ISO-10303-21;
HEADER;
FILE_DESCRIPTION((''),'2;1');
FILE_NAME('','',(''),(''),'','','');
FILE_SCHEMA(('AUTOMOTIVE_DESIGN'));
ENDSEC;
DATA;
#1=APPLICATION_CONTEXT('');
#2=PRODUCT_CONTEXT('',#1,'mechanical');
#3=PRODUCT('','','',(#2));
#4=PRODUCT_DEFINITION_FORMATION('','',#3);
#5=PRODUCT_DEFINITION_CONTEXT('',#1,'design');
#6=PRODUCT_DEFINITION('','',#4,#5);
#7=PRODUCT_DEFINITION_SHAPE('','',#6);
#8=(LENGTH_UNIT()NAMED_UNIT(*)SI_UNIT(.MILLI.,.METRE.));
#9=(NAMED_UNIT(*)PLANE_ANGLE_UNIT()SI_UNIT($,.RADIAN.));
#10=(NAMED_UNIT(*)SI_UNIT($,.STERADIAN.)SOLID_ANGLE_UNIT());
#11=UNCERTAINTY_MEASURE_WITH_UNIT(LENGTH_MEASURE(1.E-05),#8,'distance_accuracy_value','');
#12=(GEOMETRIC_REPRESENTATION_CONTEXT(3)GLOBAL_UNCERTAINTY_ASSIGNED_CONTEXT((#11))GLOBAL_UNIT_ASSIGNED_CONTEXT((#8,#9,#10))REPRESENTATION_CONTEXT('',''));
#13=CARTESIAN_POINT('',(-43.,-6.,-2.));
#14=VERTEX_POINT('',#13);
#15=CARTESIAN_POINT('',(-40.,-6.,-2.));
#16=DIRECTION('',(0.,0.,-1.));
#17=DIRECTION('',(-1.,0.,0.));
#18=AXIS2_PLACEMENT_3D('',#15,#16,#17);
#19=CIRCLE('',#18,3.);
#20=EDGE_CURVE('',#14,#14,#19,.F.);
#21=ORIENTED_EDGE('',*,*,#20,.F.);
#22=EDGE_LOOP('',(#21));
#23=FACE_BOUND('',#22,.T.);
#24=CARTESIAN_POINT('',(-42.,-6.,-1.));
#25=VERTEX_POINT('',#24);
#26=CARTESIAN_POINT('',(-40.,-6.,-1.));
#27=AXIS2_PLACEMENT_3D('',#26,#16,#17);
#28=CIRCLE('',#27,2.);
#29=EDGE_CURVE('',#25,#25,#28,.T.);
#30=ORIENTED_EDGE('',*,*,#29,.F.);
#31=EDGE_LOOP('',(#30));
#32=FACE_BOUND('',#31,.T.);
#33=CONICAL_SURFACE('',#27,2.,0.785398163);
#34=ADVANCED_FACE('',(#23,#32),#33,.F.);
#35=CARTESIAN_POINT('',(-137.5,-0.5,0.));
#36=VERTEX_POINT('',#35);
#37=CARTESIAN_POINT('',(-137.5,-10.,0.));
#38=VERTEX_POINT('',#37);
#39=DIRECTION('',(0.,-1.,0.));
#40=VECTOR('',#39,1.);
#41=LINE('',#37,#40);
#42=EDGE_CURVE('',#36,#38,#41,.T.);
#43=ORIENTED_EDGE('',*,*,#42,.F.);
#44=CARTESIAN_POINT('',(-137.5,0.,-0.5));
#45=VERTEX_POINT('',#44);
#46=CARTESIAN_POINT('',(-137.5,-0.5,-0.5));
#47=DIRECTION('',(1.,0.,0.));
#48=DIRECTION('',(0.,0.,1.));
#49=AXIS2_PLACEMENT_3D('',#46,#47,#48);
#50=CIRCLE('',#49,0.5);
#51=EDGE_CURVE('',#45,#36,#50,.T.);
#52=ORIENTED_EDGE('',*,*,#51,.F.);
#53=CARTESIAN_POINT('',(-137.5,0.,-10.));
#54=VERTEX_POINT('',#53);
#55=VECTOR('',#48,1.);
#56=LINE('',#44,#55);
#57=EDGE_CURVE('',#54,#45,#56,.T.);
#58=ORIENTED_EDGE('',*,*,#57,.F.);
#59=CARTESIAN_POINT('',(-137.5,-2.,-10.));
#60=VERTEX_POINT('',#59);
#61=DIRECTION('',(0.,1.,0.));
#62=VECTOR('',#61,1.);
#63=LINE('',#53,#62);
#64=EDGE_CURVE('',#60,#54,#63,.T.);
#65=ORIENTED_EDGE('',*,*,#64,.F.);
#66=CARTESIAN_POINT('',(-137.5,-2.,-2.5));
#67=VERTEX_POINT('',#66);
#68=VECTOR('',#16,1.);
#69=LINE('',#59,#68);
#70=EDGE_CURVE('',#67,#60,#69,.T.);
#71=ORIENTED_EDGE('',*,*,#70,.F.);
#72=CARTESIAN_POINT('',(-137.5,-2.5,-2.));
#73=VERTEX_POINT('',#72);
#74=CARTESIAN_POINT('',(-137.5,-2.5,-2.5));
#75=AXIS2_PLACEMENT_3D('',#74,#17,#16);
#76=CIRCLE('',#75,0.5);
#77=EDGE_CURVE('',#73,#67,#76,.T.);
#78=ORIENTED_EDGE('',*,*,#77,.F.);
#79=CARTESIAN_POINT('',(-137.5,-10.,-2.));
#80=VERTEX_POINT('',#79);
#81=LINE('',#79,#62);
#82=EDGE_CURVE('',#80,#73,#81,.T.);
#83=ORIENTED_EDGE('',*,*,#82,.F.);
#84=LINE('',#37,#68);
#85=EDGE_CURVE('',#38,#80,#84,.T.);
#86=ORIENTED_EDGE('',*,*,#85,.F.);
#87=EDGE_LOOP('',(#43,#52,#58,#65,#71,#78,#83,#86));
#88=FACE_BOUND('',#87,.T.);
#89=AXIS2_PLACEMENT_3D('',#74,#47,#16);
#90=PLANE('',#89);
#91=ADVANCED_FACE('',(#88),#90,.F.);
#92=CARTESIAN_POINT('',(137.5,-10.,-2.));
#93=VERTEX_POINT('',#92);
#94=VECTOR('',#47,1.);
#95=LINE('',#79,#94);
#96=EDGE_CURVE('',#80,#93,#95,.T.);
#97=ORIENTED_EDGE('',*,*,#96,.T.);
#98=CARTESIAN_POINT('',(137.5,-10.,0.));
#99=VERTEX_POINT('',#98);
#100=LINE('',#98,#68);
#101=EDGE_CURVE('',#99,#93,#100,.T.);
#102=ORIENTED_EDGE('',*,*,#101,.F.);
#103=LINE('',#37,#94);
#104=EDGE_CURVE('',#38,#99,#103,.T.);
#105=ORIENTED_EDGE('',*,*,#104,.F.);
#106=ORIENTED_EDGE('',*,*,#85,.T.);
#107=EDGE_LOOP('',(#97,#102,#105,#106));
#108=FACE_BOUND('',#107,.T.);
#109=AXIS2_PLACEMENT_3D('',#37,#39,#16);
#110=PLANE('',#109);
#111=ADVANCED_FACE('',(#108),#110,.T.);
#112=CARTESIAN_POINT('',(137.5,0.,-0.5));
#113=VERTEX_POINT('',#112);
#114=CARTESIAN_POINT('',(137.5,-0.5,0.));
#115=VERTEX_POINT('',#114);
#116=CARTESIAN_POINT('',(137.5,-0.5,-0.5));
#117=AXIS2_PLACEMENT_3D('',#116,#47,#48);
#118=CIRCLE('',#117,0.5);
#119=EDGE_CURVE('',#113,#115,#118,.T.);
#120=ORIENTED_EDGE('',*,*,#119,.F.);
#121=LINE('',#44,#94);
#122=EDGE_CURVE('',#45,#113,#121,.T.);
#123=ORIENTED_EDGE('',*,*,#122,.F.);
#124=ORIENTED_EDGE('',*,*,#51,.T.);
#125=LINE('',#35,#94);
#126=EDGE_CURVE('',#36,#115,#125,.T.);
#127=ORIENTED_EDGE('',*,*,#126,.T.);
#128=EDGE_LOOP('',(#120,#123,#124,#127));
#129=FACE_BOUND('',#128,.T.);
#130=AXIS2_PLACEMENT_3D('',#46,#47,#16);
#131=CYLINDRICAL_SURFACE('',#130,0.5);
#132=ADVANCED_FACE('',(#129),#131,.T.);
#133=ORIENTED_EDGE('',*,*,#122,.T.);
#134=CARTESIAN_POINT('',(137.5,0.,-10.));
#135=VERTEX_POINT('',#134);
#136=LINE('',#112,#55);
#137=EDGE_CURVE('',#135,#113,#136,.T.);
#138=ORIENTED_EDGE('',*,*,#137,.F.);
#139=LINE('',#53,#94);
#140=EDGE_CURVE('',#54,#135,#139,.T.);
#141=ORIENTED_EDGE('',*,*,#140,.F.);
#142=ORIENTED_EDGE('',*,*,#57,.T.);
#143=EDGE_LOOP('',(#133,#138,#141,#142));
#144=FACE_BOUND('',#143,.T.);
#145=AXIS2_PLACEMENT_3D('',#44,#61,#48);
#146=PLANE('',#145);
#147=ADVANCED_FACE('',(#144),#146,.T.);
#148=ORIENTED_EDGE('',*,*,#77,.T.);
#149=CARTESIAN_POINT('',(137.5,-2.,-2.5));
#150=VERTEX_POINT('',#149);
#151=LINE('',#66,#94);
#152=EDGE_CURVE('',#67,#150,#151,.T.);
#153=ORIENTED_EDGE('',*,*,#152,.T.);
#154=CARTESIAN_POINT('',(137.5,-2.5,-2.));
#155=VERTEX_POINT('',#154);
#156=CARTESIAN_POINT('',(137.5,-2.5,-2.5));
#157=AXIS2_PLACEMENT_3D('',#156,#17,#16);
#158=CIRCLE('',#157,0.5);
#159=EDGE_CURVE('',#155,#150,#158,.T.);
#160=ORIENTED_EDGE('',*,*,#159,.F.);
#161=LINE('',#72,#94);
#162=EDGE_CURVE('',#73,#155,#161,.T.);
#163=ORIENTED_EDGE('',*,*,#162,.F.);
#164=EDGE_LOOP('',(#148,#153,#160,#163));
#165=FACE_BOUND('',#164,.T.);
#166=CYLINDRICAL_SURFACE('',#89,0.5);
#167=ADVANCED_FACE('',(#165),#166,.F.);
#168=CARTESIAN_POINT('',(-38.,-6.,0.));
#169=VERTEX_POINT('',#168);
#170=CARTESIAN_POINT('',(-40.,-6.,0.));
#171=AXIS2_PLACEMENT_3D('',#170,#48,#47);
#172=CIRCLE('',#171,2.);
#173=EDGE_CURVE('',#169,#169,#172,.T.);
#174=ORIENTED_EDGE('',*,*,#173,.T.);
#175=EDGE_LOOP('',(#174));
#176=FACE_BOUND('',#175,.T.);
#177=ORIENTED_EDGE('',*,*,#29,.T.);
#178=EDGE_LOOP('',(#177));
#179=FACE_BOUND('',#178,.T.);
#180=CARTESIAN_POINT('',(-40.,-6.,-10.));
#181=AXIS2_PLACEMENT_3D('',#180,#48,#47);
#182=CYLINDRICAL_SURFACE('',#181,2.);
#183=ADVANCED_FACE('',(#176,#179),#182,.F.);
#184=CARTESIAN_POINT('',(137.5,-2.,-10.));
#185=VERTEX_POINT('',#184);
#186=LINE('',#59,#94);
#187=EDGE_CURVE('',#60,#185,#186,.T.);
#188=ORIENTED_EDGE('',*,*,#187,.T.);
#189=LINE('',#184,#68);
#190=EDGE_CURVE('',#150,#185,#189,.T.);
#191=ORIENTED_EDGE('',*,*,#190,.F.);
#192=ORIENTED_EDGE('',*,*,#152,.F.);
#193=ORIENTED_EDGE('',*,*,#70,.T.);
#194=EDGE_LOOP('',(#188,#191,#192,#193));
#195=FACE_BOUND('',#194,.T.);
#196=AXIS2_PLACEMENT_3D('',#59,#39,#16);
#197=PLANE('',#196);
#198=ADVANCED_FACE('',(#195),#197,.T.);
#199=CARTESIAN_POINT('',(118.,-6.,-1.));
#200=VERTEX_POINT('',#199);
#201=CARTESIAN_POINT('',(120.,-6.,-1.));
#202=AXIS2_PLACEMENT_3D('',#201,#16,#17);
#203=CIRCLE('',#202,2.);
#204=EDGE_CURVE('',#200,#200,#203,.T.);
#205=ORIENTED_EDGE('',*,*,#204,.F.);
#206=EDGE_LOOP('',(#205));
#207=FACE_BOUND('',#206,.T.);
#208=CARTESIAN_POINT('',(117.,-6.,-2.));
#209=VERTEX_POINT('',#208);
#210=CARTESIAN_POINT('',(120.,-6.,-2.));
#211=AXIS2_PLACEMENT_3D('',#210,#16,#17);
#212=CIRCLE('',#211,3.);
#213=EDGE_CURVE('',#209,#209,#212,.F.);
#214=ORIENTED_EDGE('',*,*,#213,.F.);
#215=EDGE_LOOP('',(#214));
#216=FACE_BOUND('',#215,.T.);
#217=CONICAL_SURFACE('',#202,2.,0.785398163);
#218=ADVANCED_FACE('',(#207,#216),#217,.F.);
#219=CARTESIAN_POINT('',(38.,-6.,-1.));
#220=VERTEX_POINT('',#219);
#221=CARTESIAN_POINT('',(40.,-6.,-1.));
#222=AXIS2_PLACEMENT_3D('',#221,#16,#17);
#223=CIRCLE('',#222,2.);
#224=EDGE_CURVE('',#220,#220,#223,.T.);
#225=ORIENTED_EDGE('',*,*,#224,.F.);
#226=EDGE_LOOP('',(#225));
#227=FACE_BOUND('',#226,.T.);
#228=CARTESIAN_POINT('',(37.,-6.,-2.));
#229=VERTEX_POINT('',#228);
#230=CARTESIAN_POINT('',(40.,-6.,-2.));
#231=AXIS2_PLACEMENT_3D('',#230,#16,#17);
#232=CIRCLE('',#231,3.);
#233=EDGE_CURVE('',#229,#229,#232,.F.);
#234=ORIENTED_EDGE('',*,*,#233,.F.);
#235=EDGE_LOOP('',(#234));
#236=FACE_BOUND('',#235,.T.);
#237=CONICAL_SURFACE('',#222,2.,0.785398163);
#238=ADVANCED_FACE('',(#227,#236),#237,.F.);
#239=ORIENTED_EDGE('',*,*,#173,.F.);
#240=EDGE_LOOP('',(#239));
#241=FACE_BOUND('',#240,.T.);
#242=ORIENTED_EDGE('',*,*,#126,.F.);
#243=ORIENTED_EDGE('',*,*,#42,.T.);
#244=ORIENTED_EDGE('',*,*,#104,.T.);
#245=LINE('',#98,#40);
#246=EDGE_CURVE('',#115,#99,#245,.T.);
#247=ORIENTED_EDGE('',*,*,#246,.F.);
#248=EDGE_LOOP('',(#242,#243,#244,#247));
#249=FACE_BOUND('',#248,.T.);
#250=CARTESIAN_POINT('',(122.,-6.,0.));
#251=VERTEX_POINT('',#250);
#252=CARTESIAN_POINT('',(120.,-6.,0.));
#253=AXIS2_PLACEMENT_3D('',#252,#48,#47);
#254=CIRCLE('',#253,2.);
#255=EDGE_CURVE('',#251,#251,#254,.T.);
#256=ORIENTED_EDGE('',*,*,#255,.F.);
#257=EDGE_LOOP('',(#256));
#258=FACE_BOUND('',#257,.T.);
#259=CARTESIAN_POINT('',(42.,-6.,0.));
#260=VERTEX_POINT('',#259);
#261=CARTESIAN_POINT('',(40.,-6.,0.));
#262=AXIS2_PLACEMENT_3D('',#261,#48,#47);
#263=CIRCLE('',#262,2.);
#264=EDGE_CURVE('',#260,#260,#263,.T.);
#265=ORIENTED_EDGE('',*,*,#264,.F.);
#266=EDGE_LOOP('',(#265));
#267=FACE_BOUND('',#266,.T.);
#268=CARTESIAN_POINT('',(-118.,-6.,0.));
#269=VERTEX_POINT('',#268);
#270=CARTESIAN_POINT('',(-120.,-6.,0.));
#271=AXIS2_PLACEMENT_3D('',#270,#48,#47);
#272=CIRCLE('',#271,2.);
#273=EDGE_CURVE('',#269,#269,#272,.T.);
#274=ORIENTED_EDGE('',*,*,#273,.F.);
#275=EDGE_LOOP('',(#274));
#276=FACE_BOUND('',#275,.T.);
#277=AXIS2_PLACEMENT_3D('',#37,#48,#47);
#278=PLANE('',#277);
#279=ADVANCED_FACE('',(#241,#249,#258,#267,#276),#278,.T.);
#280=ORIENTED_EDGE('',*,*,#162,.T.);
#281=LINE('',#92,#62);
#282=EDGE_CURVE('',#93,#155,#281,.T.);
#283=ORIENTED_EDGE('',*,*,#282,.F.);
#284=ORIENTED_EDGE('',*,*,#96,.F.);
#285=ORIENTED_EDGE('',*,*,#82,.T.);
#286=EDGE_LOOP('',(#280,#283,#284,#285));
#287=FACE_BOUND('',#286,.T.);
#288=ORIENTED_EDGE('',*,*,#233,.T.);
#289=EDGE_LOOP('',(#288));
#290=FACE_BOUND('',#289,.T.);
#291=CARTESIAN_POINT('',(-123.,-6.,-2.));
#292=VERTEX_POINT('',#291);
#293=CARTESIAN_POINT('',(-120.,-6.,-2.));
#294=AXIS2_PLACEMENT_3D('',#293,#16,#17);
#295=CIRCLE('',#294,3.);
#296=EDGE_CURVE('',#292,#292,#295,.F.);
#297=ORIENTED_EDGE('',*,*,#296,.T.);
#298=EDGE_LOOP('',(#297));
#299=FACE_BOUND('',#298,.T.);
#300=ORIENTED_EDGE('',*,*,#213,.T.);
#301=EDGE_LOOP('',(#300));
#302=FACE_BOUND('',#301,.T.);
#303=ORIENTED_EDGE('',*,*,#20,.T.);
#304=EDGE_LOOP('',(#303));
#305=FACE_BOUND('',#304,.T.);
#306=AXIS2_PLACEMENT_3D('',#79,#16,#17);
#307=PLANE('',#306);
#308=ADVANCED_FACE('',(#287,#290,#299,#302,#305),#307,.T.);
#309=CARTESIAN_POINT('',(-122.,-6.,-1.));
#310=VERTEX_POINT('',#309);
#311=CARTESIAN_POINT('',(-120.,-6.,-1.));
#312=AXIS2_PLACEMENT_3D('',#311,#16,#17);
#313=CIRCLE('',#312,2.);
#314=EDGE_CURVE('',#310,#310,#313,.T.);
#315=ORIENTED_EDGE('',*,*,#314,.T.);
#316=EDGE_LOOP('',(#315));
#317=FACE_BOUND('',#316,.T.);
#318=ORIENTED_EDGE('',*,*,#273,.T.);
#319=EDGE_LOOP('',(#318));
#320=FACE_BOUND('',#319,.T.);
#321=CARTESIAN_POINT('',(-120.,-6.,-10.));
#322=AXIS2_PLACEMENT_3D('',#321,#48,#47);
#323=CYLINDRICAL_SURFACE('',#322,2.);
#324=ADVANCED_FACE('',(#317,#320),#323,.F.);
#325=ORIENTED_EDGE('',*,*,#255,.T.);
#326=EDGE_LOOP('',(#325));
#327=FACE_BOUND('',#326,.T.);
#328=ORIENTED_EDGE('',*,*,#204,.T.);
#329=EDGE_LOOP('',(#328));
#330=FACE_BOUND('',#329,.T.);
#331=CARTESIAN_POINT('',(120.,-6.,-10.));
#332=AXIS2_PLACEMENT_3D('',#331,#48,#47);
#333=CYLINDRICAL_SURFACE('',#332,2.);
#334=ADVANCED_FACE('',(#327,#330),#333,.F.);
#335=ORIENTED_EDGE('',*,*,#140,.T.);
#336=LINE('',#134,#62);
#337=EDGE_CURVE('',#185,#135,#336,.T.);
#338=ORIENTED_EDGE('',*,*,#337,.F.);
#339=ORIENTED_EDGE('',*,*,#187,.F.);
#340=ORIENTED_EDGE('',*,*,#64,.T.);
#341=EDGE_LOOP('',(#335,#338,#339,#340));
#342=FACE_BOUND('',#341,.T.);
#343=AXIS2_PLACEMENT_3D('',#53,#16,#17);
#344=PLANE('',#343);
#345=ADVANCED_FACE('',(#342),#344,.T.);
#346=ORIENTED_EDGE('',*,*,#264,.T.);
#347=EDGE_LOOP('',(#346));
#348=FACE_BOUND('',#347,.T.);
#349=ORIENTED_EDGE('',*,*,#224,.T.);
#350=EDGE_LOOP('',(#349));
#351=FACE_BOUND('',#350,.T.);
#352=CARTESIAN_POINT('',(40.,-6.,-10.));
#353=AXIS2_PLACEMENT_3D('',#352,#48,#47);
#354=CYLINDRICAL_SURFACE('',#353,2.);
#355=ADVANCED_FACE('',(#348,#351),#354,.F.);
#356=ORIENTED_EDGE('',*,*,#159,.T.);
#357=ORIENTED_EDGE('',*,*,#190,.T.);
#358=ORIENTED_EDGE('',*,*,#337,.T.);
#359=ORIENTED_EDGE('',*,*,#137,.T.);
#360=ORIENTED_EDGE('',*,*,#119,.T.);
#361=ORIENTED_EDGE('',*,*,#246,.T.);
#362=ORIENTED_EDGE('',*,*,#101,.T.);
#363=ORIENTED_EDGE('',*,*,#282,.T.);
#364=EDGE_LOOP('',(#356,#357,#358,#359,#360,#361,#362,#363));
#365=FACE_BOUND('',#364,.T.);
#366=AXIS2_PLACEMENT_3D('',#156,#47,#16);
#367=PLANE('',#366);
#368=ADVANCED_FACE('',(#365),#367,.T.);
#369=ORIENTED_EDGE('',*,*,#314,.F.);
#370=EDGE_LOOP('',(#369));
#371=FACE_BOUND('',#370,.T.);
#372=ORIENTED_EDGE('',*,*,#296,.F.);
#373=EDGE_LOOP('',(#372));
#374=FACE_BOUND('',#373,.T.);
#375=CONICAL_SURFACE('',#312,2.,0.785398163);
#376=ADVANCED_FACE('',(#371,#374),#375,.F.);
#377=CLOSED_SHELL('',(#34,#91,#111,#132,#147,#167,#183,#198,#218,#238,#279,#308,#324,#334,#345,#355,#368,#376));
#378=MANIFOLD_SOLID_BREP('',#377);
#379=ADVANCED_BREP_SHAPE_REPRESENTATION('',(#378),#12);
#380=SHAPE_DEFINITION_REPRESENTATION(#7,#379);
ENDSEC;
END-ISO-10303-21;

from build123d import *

# Parameters (mm, degrees)
BOSS_EXTRUDE1_DEPTH      = 137.5
BOSS_EXTRUDE1_DEPTH_BACK = 137.5
SKETCH2_R                = 2
CUT_EXTRUDE1_DEPTH       = 139.225359468
CHAMFER1_SIZE            = 1


with BuildPart() as part:
    # Sketch1 → Boss-Extrude1 (new, two sides: drawn at the far end of the back side and taken through both)
    with BuildSketch(Plane(origin=(0, 0, 0), x_dir=(0, 0, -1), z_dir=(1, 0, 0)).offset(-BOSS_EXTRUDE1_DEPTH_BACK)):
        with BuildLine():
            Line((0, -10), (0, -0.5))
            ThreePointArc((0, -0.5), (0.146446609, -0.146446609), (0.5, 0))
            Line((0.5, 0), (10, 0))
            Line((10, 0), (10, -2))
            Line((10, -2), (2.5, -2))
            ThreePointArc((2.5, -2), (2.146446609, -2.146446609), (2, -2.5))
            Line((2, -2.5), (2, -10))
            Line((2, -10), (0, -10))
        make_face()
    extrude(amount=BOSS_EXTRUDE1_DEPTH + BOSS_EXTRUDE1_DEPTH_BACK)

    # Sketch2 → Cut-Extrude1 (cut, through all)
    with BuildSketch(Plane.XY):
        with Locations((-120, -6)):
            Circle(SKETCH2_R)
        with Locations((-40, -6)):
            Circle(SKETCH2_R)
        with Locations((40, -6)):
            Circle(SKETCH2_R)
        with Locations((120, -6)):
            Circle(SKETCH2_R)
    extrude(amount=-CUT_EXTRUDE1_DEPTH, mode=Mode.SUBTRACT)

    # Chamfer1
    chamfer1_edges = [part.edges().sort_by_distance(p)[0] for p in [
        (-122, -6, -2),
        (-42, -6, -2),
        (38, -6, -2),
        (118, -6, -2),
    ]]
    chamfer(chamfer1_edges, length=CHAMFER1_SIZE)


solid = part.part
